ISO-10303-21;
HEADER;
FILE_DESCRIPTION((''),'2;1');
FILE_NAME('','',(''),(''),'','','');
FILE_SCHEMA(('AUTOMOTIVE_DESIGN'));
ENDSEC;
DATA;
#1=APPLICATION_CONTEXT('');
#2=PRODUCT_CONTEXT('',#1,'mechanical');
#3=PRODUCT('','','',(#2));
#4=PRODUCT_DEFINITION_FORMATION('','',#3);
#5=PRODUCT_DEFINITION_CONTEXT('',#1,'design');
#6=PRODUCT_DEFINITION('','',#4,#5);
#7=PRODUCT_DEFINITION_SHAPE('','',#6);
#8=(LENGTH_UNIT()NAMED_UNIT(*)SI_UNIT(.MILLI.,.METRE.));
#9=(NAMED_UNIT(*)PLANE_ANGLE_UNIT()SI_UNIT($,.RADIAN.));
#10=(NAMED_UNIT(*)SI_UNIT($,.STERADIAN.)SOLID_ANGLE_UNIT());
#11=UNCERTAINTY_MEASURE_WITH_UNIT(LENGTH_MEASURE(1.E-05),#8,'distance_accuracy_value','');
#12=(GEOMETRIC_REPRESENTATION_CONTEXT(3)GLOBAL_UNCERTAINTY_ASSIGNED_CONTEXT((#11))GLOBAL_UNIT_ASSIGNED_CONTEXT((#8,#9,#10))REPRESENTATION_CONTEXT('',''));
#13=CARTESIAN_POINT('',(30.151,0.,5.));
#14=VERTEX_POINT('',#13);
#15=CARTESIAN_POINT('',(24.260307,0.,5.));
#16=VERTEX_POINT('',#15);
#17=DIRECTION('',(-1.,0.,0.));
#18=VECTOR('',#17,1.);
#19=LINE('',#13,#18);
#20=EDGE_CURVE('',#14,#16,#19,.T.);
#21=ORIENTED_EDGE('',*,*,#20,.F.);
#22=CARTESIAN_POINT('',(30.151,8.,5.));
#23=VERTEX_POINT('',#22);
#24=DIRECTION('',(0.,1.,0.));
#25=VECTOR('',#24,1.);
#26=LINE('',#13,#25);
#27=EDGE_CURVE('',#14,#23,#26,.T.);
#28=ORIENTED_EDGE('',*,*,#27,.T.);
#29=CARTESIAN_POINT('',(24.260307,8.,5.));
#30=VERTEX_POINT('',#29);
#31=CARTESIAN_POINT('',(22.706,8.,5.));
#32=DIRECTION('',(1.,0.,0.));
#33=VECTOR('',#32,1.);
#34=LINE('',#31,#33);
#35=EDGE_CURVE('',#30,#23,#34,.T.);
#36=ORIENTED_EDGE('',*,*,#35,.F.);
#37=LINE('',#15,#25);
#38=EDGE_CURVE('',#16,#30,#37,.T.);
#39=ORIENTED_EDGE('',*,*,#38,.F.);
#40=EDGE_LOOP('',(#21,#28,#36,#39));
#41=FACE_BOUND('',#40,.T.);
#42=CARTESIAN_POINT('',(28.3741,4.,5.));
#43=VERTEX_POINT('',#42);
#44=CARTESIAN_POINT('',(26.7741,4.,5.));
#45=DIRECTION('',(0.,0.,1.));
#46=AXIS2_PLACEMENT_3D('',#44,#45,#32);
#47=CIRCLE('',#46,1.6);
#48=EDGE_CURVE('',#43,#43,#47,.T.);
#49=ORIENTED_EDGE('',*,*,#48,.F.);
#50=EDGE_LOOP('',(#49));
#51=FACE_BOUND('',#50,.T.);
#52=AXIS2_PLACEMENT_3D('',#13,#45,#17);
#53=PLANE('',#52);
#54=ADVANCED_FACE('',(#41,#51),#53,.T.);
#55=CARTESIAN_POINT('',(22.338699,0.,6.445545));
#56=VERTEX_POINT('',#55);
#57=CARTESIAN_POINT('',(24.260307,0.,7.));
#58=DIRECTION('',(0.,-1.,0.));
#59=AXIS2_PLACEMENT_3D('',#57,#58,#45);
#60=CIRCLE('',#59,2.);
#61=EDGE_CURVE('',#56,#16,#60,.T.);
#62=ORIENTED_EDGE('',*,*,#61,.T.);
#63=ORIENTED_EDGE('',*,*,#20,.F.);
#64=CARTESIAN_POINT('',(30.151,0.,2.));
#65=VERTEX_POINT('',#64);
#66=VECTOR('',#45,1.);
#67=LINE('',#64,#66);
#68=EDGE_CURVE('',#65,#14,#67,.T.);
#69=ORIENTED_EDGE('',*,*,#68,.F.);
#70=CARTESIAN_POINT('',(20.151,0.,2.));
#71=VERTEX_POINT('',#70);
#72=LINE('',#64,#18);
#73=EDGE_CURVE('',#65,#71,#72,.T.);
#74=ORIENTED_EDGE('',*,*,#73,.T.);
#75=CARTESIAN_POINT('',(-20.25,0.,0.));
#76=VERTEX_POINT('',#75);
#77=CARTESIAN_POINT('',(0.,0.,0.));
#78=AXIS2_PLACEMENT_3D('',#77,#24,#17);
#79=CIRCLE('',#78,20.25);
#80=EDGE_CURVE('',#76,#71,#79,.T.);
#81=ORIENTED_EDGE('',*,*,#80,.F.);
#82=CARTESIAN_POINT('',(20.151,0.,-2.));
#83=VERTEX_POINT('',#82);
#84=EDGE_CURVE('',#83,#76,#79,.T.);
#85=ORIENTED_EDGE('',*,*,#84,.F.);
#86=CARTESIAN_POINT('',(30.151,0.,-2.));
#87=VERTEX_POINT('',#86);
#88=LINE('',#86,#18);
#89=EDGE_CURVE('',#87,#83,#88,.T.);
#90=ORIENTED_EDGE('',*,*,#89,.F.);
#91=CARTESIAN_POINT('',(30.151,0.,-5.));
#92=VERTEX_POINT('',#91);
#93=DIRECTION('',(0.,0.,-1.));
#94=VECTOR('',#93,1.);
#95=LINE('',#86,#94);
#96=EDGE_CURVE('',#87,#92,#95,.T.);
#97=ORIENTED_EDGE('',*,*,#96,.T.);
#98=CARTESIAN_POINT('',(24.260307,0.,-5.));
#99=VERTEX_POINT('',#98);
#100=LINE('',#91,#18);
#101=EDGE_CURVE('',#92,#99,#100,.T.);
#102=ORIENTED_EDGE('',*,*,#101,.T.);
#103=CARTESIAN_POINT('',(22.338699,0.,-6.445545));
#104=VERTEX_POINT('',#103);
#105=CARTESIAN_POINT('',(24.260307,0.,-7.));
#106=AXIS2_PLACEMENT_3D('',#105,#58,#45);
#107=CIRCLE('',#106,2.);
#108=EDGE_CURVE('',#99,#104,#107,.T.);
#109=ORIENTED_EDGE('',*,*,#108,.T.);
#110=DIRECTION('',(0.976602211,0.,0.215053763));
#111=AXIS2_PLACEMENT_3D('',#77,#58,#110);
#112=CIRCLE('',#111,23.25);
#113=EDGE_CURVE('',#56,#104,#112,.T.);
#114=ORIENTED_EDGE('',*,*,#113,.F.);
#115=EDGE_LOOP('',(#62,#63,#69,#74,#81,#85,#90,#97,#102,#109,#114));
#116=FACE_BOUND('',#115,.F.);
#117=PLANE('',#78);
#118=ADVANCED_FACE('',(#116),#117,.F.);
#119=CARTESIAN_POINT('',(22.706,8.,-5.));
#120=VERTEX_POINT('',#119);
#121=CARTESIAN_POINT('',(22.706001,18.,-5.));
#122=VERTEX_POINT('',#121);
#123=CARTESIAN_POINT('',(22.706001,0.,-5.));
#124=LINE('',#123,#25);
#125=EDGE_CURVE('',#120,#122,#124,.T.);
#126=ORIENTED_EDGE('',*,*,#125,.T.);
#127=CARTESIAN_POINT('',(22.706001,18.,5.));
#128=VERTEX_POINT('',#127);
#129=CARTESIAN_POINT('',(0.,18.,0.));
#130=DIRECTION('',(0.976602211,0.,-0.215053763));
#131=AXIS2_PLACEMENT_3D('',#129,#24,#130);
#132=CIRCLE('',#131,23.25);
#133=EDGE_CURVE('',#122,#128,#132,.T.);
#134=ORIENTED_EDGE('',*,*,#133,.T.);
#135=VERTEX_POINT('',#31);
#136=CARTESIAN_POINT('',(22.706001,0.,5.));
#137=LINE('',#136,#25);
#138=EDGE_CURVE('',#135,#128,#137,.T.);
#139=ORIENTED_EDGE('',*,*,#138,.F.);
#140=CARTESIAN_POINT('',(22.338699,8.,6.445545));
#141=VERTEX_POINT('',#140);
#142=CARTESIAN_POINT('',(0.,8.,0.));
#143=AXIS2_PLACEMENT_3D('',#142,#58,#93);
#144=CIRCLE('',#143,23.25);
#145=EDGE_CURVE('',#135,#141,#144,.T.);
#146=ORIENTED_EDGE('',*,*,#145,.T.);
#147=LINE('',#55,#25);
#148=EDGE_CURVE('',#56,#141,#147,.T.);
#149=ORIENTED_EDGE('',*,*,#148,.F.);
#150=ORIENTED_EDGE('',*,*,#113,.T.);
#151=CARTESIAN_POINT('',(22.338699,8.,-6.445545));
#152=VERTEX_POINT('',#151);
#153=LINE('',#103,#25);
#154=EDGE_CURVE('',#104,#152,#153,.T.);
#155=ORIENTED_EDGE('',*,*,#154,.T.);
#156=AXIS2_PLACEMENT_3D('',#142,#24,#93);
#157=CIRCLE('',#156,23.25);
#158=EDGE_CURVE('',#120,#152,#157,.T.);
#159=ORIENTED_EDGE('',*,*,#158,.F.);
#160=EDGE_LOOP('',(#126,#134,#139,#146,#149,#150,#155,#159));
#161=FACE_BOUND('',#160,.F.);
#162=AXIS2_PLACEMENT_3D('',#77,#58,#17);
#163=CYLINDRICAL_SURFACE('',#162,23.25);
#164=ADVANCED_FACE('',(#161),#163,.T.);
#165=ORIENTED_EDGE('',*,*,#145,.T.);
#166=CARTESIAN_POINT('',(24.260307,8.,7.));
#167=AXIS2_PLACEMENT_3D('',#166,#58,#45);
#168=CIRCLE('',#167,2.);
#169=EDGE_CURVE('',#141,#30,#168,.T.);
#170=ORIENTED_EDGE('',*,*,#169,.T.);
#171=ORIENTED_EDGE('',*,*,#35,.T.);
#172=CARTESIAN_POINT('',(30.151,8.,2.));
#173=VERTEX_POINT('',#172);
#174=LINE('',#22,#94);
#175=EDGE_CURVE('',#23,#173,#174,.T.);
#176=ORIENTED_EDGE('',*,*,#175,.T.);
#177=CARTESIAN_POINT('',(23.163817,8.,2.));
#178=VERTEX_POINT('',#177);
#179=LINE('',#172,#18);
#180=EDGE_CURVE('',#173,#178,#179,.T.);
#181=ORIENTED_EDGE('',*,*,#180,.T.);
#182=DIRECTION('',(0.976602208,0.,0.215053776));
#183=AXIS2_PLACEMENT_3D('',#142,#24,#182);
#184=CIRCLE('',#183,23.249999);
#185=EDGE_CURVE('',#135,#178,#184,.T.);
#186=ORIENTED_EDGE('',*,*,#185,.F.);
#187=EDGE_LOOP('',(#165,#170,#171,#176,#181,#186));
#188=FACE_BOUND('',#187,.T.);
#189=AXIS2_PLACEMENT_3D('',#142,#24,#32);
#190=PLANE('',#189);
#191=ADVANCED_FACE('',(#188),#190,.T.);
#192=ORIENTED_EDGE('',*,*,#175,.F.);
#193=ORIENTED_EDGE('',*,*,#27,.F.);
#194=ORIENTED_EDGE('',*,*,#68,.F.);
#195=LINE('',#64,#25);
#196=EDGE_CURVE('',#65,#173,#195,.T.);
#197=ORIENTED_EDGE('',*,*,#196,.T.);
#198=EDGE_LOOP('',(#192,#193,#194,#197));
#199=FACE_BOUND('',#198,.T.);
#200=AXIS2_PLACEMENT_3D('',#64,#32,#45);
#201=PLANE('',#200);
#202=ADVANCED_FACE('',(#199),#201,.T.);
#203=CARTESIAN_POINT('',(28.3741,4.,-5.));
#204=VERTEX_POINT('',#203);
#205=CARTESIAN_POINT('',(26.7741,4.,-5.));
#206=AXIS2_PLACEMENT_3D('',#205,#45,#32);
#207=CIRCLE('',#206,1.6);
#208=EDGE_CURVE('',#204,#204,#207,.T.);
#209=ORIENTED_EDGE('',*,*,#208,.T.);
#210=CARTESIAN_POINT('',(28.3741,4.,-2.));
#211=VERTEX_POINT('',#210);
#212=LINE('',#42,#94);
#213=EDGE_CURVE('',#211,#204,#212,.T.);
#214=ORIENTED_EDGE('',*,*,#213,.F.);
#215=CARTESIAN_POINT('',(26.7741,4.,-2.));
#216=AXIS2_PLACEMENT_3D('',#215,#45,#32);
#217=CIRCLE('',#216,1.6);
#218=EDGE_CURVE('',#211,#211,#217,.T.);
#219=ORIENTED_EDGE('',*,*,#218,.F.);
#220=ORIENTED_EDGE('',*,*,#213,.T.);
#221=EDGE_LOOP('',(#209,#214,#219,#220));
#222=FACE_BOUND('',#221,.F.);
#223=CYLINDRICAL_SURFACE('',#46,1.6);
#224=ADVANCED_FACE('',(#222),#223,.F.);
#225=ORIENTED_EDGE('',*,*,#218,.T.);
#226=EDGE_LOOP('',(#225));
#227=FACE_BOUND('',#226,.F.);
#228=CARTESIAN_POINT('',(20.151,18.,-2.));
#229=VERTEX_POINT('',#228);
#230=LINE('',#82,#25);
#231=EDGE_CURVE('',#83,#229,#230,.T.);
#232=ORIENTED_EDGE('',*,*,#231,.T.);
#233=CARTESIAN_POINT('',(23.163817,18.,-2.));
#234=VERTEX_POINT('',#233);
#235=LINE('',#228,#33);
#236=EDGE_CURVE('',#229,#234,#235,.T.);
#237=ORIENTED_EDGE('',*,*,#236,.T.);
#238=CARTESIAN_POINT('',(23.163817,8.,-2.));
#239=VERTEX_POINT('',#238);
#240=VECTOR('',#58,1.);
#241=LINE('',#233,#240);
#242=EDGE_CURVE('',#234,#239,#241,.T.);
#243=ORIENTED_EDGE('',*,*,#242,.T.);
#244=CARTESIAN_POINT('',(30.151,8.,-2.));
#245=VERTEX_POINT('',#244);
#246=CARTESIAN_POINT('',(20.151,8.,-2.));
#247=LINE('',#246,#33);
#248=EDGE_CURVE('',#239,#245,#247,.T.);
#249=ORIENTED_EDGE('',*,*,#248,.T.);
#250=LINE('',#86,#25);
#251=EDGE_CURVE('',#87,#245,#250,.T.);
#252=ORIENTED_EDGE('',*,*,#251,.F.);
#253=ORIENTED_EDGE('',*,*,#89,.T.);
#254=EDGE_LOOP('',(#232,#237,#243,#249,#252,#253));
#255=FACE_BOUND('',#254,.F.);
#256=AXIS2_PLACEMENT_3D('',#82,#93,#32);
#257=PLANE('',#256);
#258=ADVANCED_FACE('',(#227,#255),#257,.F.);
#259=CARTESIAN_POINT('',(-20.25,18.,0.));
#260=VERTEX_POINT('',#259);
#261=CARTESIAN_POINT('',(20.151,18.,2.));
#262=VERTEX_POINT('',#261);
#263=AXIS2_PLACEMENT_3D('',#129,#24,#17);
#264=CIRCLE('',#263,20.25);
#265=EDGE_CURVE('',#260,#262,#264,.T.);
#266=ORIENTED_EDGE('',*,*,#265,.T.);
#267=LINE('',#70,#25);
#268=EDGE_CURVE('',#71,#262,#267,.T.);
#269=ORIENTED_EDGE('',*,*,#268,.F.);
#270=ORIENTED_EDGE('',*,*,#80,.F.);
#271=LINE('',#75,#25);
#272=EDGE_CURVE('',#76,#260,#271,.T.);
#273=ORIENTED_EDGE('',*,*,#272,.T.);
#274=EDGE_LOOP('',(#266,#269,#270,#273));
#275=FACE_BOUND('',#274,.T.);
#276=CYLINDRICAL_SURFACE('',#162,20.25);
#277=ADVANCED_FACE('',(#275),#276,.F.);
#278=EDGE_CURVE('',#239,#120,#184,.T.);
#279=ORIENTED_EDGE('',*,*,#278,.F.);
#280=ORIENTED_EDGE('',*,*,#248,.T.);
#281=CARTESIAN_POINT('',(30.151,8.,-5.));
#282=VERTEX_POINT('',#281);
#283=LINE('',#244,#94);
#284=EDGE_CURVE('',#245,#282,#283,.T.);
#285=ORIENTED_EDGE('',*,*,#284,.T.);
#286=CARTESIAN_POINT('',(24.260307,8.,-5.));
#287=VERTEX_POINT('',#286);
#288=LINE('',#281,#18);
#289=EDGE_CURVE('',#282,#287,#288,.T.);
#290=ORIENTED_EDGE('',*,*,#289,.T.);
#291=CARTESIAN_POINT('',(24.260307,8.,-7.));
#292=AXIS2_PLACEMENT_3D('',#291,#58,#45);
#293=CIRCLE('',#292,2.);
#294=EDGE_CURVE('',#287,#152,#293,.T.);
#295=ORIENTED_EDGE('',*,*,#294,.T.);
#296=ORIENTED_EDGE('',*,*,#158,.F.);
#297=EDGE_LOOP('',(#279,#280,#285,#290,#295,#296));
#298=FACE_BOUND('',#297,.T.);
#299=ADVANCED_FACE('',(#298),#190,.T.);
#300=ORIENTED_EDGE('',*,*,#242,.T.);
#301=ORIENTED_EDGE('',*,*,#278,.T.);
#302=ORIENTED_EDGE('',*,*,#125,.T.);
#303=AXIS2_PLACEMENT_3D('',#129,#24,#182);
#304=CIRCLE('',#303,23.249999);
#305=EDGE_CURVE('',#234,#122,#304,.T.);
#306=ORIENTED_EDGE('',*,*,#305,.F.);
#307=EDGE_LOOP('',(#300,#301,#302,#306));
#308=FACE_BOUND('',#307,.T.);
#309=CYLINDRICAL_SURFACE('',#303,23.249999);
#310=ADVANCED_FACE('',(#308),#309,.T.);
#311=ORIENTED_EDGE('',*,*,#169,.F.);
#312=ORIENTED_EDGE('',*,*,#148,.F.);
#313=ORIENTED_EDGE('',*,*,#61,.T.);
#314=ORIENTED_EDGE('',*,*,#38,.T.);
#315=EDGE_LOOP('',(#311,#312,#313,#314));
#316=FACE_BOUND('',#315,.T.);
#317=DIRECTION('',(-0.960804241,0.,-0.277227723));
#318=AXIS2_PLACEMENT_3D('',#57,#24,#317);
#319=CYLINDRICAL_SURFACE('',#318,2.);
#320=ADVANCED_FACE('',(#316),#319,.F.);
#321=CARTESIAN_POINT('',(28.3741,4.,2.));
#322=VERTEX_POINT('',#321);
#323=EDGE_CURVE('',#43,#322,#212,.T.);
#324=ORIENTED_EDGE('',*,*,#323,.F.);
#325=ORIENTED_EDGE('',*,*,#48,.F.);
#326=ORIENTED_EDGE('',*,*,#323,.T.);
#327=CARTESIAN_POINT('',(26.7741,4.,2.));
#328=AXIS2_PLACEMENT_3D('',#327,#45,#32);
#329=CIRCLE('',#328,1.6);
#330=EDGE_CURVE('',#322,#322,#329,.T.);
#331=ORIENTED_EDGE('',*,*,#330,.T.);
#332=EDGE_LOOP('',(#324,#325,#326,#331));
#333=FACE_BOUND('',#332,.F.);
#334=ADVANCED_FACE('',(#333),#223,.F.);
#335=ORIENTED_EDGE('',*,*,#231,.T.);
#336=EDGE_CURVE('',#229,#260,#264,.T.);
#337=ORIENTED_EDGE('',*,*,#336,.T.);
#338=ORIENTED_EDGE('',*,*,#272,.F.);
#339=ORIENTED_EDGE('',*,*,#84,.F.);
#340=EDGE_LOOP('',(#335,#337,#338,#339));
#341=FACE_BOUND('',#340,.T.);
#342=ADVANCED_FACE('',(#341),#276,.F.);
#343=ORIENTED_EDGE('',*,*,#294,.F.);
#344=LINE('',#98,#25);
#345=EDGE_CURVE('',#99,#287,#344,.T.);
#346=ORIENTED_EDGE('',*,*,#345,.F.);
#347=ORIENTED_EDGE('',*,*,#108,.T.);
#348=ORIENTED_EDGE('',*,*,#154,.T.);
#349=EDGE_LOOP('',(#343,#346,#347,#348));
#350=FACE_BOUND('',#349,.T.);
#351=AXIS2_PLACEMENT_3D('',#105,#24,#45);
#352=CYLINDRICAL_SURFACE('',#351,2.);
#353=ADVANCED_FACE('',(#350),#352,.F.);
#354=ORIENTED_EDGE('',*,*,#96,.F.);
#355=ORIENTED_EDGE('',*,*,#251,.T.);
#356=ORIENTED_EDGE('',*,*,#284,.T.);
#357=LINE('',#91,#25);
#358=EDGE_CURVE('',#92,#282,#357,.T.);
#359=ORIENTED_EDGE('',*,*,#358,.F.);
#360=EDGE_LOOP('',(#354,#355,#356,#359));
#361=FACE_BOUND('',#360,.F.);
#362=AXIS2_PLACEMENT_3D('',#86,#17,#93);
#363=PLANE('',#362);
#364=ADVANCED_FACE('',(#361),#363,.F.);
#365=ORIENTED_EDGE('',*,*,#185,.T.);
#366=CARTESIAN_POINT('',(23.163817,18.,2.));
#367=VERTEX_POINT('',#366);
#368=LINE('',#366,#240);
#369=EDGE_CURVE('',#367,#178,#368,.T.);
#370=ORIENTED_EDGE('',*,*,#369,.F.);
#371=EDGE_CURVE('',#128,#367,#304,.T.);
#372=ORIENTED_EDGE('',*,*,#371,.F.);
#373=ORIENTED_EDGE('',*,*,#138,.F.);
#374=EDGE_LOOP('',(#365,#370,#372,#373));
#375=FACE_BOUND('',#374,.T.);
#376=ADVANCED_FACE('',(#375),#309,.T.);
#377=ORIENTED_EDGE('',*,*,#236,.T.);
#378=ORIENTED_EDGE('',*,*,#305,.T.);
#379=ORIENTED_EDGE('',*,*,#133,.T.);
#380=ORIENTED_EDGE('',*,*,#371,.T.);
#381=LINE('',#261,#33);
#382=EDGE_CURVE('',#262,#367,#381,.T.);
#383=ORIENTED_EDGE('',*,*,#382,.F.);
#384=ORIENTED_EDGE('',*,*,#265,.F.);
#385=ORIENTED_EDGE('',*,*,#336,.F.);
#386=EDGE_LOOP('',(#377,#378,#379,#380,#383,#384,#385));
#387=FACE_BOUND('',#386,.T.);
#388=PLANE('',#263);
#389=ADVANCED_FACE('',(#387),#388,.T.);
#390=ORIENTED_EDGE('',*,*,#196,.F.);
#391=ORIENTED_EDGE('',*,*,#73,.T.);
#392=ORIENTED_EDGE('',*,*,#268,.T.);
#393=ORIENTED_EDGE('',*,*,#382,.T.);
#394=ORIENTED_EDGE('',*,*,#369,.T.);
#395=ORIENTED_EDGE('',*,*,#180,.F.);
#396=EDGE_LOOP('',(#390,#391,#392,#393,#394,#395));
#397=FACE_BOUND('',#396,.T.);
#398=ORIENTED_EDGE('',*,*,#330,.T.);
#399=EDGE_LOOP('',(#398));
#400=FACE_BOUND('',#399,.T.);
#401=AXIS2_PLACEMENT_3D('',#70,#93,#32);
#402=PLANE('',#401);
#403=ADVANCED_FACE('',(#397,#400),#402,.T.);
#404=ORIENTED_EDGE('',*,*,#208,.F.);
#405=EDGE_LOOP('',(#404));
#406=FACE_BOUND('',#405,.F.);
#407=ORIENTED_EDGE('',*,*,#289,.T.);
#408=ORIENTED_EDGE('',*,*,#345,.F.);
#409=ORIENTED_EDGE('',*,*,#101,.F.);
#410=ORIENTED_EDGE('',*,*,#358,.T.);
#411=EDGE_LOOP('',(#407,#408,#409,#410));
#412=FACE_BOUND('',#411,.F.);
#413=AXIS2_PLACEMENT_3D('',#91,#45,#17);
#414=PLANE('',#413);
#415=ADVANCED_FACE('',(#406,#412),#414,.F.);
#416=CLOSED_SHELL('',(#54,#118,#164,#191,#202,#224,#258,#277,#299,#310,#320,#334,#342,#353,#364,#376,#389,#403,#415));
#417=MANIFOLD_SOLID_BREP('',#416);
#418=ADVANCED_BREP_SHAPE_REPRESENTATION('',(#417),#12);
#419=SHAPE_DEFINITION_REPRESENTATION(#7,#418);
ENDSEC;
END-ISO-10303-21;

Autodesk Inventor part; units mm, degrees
ref_plane "YZ Plane" through (0, 0, 0) normal (1, 0, 0) x (0, 1, 0)
ref_plane "XZ Plane" through (0, 0, 0) normal (0, 1, 0) x (-1, 0, 0)
ref_plane "XY Plane" through (0, 0, 0) normal (0, 0, 1) x (1, 0, 0)
sketch "Sketch1" plane through (0, 0, 0) normal (0, 1, 0) x (-1, 0, 0)
  circle A0 centre (0, 0) radius 20.25
  circle A1 centre (0, 0) radius 23.25
  line L0 (-20.151, 2) -> (-30.151, 2)
  line L1 (-30.151, 2) -> (-30.151, 5)
  line L2 (-30.151, 5) -> (-20.151, 5)
  line L3 (-20.151, 5) -> (-20.151, 2)
  line L4 (-20.151, -2) -> (-30.151, -2)
  line L5 (-30.151, -2) -> (-30.151, -5)
  line L6 (-30.151, -5) -> (-20.151, -5)
  line L7 (-20.151, -5) -> (-20.151, -2)
  point P0 (-22.706, -5)
  point P1 (-22.706, 5)
  dimension "d0" = 40.5
  dimension "d2" = 3
  dimension "d3" = 3
  dimension "d4" = 2
  dimension "d5" = 10
  dimension "d17" = 3
extrude "Extrusion1" add sketch "Sketch1" along normal blind 18 contours A0 L3 L2 A1 L6 L7 | L0 A1 L2 L3 | L7 L6 A1 L4 | L0 L1 L2 A1 | A1 L6 L5 L4
sketch "Sketch2" plane through (0, 18, 0) normal (0, 1, 0) x (1, 0, 0)
  line L0 (22.706, -5) -> (30.151, -5) projected
  line L1 (30.151, -5) -> (30.151, -2) projected
  line L2 (30.151, -2) -> (20.151, -2) projected
  arc A0 (20.151, 2) -> (20.151, -2) centre (0, 0) ccw projected
  line L3 (20.151, 2) -> (30.151, 2) projected
  line L4 (30.151, 2) -> (30.151, 5) projected
  line L5 (30.151, 5) -> (22.706, 5) projected
  arc A1 (22.706, 5) -> (22.706, -5) centre (0, 0) ccw projected
  line L6 (22.706, -5) -> (30.151, -5) projected
  arc A2 (22.706, -5) -> (22.706, 5) centre (0, 0) ccw
  point P0 (23.1638, -2)
  point P1 (23.1638, 2)
extrude "Extrusion2" cut sketch "Sketch2" against normal blind 10 contours A2 L2 L1 L0 | L5 L4 L3 A2
sketch "Sketch3" plane through (22.706, 0, 5) normal (0, 0, 1) x (1, 0, 0)
  circle A0 centre (4.0681, 4) radius 1.6
  line L0 (0, 0) -> (7.445, 0) projected
  line L1 (7.445, 8) -> (0, 8) projected
  point P0 (-22.706, 0)
  dimension "d11" = 3.2
  dimension "d12" = 4
extrude "Extrusion3" cut sketch "Sketch3" against normal blind 22
fillet "Fillet1" radius 2 2 edges at (22.706, 4, 5) (22.706, 4, -5)
properties part number "Bearing_fixing"
